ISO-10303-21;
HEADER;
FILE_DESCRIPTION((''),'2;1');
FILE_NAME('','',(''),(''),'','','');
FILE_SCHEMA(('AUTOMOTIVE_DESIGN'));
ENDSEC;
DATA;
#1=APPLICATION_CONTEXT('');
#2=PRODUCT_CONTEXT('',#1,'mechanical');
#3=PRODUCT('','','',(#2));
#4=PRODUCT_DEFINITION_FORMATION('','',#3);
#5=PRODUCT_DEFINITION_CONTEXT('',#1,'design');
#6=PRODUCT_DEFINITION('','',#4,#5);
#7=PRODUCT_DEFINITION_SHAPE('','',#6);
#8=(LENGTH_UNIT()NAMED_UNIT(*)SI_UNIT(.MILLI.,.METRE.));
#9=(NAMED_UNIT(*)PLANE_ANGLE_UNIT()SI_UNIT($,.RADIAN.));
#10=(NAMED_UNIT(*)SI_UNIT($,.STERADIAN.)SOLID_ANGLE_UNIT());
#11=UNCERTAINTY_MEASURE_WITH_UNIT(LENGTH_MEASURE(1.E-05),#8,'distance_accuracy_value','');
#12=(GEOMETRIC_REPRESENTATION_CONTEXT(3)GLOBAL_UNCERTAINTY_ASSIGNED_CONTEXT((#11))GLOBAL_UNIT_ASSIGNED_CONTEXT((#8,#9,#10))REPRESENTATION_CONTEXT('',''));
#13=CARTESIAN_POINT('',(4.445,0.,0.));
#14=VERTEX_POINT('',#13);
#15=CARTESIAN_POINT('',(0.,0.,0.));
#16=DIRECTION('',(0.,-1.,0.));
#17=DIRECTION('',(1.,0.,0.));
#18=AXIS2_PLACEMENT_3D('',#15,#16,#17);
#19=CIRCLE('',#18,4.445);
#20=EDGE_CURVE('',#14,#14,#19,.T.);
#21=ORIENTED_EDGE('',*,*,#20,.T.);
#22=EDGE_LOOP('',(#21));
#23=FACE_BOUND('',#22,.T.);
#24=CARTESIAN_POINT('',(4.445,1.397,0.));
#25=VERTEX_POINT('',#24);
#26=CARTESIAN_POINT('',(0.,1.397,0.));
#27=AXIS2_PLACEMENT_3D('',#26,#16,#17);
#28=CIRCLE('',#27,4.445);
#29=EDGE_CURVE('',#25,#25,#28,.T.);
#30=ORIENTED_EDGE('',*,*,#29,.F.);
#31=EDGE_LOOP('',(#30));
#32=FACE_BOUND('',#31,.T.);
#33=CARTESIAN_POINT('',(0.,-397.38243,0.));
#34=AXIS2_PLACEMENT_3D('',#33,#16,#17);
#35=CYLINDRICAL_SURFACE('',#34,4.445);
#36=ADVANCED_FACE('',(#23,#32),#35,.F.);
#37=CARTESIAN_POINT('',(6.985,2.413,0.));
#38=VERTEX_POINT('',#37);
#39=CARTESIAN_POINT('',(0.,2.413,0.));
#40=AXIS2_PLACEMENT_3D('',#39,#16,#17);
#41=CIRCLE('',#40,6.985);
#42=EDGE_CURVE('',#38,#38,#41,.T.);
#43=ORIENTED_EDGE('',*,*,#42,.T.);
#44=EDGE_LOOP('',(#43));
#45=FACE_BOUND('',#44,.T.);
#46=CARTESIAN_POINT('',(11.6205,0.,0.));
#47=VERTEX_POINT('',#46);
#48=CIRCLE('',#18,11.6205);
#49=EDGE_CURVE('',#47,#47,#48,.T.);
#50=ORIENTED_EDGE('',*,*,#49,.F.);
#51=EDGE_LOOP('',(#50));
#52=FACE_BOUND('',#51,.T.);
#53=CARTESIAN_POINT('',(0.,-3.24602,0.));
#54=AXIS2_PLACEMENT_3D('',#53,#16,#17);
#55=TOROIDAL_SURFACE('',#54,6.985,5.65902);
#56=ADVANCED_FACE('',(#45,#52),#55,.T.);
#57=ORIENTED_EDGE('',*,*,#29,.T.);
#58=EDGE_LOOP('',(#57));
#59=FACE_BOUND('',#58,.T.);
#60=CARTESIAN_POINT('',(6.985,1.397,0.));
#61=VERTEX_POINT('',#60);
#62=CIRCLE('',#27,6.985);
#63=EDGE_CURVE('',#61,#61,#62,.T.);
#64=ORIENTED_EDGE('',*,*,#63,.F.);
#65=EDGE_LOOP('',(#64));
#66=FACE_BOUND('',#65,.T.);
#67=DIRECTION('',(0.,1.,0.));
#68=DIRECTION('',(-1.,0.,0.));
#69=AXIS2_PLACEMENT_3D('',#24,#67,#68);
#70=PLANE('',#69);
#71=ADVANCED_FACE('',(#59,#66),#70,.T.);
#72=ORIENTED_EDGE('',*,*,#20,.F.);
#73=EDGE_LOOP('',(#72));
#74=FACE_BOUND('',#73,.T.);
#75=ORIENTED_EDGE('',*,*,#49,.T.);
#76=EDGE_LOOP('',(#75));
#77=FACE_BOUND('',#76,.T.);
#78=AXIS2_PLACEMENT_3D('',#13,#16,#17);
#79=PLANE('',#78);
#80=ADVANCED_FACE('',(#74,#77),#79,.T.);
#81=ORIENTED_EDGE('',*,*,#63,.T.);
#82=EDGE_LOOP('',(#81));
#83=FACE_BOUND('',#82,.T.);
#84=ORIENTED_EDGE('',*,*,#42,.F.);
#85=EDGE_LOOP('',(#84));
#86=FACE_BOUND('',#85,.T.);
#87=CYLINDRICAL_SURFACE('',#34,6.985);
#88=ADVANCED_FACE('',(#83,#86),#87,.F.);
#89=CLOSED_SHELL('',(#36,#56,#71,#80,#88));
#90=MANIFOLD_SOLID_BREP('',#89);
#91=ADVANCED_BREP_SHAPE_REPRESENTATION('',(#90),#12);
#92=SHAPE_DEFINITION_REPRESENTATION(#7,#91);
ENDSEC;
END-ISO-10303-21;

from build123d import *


with BuildPart() as part:
    # Sketch1 → Revolve1 (revolve)
    with BuildSketch(Plane.XY):
        with BuildLine():
            Line((4.445, 0), (11.6205, 0))
            ThreePointArc((11.6205, 0), (9.597969061, 1.773631354), (6.985, 2.413))
            Line((6.985, 2.413), (6.985, 1.397))
            Line((6.985, 1.397), (4.445, 1.397))
            Line((4.445, 1.397), (4.445, 0))
        make_face()
    revolve(axis=Axis((0, -397.382429867, 0), (0, 1, 0)))


solid = part.part
